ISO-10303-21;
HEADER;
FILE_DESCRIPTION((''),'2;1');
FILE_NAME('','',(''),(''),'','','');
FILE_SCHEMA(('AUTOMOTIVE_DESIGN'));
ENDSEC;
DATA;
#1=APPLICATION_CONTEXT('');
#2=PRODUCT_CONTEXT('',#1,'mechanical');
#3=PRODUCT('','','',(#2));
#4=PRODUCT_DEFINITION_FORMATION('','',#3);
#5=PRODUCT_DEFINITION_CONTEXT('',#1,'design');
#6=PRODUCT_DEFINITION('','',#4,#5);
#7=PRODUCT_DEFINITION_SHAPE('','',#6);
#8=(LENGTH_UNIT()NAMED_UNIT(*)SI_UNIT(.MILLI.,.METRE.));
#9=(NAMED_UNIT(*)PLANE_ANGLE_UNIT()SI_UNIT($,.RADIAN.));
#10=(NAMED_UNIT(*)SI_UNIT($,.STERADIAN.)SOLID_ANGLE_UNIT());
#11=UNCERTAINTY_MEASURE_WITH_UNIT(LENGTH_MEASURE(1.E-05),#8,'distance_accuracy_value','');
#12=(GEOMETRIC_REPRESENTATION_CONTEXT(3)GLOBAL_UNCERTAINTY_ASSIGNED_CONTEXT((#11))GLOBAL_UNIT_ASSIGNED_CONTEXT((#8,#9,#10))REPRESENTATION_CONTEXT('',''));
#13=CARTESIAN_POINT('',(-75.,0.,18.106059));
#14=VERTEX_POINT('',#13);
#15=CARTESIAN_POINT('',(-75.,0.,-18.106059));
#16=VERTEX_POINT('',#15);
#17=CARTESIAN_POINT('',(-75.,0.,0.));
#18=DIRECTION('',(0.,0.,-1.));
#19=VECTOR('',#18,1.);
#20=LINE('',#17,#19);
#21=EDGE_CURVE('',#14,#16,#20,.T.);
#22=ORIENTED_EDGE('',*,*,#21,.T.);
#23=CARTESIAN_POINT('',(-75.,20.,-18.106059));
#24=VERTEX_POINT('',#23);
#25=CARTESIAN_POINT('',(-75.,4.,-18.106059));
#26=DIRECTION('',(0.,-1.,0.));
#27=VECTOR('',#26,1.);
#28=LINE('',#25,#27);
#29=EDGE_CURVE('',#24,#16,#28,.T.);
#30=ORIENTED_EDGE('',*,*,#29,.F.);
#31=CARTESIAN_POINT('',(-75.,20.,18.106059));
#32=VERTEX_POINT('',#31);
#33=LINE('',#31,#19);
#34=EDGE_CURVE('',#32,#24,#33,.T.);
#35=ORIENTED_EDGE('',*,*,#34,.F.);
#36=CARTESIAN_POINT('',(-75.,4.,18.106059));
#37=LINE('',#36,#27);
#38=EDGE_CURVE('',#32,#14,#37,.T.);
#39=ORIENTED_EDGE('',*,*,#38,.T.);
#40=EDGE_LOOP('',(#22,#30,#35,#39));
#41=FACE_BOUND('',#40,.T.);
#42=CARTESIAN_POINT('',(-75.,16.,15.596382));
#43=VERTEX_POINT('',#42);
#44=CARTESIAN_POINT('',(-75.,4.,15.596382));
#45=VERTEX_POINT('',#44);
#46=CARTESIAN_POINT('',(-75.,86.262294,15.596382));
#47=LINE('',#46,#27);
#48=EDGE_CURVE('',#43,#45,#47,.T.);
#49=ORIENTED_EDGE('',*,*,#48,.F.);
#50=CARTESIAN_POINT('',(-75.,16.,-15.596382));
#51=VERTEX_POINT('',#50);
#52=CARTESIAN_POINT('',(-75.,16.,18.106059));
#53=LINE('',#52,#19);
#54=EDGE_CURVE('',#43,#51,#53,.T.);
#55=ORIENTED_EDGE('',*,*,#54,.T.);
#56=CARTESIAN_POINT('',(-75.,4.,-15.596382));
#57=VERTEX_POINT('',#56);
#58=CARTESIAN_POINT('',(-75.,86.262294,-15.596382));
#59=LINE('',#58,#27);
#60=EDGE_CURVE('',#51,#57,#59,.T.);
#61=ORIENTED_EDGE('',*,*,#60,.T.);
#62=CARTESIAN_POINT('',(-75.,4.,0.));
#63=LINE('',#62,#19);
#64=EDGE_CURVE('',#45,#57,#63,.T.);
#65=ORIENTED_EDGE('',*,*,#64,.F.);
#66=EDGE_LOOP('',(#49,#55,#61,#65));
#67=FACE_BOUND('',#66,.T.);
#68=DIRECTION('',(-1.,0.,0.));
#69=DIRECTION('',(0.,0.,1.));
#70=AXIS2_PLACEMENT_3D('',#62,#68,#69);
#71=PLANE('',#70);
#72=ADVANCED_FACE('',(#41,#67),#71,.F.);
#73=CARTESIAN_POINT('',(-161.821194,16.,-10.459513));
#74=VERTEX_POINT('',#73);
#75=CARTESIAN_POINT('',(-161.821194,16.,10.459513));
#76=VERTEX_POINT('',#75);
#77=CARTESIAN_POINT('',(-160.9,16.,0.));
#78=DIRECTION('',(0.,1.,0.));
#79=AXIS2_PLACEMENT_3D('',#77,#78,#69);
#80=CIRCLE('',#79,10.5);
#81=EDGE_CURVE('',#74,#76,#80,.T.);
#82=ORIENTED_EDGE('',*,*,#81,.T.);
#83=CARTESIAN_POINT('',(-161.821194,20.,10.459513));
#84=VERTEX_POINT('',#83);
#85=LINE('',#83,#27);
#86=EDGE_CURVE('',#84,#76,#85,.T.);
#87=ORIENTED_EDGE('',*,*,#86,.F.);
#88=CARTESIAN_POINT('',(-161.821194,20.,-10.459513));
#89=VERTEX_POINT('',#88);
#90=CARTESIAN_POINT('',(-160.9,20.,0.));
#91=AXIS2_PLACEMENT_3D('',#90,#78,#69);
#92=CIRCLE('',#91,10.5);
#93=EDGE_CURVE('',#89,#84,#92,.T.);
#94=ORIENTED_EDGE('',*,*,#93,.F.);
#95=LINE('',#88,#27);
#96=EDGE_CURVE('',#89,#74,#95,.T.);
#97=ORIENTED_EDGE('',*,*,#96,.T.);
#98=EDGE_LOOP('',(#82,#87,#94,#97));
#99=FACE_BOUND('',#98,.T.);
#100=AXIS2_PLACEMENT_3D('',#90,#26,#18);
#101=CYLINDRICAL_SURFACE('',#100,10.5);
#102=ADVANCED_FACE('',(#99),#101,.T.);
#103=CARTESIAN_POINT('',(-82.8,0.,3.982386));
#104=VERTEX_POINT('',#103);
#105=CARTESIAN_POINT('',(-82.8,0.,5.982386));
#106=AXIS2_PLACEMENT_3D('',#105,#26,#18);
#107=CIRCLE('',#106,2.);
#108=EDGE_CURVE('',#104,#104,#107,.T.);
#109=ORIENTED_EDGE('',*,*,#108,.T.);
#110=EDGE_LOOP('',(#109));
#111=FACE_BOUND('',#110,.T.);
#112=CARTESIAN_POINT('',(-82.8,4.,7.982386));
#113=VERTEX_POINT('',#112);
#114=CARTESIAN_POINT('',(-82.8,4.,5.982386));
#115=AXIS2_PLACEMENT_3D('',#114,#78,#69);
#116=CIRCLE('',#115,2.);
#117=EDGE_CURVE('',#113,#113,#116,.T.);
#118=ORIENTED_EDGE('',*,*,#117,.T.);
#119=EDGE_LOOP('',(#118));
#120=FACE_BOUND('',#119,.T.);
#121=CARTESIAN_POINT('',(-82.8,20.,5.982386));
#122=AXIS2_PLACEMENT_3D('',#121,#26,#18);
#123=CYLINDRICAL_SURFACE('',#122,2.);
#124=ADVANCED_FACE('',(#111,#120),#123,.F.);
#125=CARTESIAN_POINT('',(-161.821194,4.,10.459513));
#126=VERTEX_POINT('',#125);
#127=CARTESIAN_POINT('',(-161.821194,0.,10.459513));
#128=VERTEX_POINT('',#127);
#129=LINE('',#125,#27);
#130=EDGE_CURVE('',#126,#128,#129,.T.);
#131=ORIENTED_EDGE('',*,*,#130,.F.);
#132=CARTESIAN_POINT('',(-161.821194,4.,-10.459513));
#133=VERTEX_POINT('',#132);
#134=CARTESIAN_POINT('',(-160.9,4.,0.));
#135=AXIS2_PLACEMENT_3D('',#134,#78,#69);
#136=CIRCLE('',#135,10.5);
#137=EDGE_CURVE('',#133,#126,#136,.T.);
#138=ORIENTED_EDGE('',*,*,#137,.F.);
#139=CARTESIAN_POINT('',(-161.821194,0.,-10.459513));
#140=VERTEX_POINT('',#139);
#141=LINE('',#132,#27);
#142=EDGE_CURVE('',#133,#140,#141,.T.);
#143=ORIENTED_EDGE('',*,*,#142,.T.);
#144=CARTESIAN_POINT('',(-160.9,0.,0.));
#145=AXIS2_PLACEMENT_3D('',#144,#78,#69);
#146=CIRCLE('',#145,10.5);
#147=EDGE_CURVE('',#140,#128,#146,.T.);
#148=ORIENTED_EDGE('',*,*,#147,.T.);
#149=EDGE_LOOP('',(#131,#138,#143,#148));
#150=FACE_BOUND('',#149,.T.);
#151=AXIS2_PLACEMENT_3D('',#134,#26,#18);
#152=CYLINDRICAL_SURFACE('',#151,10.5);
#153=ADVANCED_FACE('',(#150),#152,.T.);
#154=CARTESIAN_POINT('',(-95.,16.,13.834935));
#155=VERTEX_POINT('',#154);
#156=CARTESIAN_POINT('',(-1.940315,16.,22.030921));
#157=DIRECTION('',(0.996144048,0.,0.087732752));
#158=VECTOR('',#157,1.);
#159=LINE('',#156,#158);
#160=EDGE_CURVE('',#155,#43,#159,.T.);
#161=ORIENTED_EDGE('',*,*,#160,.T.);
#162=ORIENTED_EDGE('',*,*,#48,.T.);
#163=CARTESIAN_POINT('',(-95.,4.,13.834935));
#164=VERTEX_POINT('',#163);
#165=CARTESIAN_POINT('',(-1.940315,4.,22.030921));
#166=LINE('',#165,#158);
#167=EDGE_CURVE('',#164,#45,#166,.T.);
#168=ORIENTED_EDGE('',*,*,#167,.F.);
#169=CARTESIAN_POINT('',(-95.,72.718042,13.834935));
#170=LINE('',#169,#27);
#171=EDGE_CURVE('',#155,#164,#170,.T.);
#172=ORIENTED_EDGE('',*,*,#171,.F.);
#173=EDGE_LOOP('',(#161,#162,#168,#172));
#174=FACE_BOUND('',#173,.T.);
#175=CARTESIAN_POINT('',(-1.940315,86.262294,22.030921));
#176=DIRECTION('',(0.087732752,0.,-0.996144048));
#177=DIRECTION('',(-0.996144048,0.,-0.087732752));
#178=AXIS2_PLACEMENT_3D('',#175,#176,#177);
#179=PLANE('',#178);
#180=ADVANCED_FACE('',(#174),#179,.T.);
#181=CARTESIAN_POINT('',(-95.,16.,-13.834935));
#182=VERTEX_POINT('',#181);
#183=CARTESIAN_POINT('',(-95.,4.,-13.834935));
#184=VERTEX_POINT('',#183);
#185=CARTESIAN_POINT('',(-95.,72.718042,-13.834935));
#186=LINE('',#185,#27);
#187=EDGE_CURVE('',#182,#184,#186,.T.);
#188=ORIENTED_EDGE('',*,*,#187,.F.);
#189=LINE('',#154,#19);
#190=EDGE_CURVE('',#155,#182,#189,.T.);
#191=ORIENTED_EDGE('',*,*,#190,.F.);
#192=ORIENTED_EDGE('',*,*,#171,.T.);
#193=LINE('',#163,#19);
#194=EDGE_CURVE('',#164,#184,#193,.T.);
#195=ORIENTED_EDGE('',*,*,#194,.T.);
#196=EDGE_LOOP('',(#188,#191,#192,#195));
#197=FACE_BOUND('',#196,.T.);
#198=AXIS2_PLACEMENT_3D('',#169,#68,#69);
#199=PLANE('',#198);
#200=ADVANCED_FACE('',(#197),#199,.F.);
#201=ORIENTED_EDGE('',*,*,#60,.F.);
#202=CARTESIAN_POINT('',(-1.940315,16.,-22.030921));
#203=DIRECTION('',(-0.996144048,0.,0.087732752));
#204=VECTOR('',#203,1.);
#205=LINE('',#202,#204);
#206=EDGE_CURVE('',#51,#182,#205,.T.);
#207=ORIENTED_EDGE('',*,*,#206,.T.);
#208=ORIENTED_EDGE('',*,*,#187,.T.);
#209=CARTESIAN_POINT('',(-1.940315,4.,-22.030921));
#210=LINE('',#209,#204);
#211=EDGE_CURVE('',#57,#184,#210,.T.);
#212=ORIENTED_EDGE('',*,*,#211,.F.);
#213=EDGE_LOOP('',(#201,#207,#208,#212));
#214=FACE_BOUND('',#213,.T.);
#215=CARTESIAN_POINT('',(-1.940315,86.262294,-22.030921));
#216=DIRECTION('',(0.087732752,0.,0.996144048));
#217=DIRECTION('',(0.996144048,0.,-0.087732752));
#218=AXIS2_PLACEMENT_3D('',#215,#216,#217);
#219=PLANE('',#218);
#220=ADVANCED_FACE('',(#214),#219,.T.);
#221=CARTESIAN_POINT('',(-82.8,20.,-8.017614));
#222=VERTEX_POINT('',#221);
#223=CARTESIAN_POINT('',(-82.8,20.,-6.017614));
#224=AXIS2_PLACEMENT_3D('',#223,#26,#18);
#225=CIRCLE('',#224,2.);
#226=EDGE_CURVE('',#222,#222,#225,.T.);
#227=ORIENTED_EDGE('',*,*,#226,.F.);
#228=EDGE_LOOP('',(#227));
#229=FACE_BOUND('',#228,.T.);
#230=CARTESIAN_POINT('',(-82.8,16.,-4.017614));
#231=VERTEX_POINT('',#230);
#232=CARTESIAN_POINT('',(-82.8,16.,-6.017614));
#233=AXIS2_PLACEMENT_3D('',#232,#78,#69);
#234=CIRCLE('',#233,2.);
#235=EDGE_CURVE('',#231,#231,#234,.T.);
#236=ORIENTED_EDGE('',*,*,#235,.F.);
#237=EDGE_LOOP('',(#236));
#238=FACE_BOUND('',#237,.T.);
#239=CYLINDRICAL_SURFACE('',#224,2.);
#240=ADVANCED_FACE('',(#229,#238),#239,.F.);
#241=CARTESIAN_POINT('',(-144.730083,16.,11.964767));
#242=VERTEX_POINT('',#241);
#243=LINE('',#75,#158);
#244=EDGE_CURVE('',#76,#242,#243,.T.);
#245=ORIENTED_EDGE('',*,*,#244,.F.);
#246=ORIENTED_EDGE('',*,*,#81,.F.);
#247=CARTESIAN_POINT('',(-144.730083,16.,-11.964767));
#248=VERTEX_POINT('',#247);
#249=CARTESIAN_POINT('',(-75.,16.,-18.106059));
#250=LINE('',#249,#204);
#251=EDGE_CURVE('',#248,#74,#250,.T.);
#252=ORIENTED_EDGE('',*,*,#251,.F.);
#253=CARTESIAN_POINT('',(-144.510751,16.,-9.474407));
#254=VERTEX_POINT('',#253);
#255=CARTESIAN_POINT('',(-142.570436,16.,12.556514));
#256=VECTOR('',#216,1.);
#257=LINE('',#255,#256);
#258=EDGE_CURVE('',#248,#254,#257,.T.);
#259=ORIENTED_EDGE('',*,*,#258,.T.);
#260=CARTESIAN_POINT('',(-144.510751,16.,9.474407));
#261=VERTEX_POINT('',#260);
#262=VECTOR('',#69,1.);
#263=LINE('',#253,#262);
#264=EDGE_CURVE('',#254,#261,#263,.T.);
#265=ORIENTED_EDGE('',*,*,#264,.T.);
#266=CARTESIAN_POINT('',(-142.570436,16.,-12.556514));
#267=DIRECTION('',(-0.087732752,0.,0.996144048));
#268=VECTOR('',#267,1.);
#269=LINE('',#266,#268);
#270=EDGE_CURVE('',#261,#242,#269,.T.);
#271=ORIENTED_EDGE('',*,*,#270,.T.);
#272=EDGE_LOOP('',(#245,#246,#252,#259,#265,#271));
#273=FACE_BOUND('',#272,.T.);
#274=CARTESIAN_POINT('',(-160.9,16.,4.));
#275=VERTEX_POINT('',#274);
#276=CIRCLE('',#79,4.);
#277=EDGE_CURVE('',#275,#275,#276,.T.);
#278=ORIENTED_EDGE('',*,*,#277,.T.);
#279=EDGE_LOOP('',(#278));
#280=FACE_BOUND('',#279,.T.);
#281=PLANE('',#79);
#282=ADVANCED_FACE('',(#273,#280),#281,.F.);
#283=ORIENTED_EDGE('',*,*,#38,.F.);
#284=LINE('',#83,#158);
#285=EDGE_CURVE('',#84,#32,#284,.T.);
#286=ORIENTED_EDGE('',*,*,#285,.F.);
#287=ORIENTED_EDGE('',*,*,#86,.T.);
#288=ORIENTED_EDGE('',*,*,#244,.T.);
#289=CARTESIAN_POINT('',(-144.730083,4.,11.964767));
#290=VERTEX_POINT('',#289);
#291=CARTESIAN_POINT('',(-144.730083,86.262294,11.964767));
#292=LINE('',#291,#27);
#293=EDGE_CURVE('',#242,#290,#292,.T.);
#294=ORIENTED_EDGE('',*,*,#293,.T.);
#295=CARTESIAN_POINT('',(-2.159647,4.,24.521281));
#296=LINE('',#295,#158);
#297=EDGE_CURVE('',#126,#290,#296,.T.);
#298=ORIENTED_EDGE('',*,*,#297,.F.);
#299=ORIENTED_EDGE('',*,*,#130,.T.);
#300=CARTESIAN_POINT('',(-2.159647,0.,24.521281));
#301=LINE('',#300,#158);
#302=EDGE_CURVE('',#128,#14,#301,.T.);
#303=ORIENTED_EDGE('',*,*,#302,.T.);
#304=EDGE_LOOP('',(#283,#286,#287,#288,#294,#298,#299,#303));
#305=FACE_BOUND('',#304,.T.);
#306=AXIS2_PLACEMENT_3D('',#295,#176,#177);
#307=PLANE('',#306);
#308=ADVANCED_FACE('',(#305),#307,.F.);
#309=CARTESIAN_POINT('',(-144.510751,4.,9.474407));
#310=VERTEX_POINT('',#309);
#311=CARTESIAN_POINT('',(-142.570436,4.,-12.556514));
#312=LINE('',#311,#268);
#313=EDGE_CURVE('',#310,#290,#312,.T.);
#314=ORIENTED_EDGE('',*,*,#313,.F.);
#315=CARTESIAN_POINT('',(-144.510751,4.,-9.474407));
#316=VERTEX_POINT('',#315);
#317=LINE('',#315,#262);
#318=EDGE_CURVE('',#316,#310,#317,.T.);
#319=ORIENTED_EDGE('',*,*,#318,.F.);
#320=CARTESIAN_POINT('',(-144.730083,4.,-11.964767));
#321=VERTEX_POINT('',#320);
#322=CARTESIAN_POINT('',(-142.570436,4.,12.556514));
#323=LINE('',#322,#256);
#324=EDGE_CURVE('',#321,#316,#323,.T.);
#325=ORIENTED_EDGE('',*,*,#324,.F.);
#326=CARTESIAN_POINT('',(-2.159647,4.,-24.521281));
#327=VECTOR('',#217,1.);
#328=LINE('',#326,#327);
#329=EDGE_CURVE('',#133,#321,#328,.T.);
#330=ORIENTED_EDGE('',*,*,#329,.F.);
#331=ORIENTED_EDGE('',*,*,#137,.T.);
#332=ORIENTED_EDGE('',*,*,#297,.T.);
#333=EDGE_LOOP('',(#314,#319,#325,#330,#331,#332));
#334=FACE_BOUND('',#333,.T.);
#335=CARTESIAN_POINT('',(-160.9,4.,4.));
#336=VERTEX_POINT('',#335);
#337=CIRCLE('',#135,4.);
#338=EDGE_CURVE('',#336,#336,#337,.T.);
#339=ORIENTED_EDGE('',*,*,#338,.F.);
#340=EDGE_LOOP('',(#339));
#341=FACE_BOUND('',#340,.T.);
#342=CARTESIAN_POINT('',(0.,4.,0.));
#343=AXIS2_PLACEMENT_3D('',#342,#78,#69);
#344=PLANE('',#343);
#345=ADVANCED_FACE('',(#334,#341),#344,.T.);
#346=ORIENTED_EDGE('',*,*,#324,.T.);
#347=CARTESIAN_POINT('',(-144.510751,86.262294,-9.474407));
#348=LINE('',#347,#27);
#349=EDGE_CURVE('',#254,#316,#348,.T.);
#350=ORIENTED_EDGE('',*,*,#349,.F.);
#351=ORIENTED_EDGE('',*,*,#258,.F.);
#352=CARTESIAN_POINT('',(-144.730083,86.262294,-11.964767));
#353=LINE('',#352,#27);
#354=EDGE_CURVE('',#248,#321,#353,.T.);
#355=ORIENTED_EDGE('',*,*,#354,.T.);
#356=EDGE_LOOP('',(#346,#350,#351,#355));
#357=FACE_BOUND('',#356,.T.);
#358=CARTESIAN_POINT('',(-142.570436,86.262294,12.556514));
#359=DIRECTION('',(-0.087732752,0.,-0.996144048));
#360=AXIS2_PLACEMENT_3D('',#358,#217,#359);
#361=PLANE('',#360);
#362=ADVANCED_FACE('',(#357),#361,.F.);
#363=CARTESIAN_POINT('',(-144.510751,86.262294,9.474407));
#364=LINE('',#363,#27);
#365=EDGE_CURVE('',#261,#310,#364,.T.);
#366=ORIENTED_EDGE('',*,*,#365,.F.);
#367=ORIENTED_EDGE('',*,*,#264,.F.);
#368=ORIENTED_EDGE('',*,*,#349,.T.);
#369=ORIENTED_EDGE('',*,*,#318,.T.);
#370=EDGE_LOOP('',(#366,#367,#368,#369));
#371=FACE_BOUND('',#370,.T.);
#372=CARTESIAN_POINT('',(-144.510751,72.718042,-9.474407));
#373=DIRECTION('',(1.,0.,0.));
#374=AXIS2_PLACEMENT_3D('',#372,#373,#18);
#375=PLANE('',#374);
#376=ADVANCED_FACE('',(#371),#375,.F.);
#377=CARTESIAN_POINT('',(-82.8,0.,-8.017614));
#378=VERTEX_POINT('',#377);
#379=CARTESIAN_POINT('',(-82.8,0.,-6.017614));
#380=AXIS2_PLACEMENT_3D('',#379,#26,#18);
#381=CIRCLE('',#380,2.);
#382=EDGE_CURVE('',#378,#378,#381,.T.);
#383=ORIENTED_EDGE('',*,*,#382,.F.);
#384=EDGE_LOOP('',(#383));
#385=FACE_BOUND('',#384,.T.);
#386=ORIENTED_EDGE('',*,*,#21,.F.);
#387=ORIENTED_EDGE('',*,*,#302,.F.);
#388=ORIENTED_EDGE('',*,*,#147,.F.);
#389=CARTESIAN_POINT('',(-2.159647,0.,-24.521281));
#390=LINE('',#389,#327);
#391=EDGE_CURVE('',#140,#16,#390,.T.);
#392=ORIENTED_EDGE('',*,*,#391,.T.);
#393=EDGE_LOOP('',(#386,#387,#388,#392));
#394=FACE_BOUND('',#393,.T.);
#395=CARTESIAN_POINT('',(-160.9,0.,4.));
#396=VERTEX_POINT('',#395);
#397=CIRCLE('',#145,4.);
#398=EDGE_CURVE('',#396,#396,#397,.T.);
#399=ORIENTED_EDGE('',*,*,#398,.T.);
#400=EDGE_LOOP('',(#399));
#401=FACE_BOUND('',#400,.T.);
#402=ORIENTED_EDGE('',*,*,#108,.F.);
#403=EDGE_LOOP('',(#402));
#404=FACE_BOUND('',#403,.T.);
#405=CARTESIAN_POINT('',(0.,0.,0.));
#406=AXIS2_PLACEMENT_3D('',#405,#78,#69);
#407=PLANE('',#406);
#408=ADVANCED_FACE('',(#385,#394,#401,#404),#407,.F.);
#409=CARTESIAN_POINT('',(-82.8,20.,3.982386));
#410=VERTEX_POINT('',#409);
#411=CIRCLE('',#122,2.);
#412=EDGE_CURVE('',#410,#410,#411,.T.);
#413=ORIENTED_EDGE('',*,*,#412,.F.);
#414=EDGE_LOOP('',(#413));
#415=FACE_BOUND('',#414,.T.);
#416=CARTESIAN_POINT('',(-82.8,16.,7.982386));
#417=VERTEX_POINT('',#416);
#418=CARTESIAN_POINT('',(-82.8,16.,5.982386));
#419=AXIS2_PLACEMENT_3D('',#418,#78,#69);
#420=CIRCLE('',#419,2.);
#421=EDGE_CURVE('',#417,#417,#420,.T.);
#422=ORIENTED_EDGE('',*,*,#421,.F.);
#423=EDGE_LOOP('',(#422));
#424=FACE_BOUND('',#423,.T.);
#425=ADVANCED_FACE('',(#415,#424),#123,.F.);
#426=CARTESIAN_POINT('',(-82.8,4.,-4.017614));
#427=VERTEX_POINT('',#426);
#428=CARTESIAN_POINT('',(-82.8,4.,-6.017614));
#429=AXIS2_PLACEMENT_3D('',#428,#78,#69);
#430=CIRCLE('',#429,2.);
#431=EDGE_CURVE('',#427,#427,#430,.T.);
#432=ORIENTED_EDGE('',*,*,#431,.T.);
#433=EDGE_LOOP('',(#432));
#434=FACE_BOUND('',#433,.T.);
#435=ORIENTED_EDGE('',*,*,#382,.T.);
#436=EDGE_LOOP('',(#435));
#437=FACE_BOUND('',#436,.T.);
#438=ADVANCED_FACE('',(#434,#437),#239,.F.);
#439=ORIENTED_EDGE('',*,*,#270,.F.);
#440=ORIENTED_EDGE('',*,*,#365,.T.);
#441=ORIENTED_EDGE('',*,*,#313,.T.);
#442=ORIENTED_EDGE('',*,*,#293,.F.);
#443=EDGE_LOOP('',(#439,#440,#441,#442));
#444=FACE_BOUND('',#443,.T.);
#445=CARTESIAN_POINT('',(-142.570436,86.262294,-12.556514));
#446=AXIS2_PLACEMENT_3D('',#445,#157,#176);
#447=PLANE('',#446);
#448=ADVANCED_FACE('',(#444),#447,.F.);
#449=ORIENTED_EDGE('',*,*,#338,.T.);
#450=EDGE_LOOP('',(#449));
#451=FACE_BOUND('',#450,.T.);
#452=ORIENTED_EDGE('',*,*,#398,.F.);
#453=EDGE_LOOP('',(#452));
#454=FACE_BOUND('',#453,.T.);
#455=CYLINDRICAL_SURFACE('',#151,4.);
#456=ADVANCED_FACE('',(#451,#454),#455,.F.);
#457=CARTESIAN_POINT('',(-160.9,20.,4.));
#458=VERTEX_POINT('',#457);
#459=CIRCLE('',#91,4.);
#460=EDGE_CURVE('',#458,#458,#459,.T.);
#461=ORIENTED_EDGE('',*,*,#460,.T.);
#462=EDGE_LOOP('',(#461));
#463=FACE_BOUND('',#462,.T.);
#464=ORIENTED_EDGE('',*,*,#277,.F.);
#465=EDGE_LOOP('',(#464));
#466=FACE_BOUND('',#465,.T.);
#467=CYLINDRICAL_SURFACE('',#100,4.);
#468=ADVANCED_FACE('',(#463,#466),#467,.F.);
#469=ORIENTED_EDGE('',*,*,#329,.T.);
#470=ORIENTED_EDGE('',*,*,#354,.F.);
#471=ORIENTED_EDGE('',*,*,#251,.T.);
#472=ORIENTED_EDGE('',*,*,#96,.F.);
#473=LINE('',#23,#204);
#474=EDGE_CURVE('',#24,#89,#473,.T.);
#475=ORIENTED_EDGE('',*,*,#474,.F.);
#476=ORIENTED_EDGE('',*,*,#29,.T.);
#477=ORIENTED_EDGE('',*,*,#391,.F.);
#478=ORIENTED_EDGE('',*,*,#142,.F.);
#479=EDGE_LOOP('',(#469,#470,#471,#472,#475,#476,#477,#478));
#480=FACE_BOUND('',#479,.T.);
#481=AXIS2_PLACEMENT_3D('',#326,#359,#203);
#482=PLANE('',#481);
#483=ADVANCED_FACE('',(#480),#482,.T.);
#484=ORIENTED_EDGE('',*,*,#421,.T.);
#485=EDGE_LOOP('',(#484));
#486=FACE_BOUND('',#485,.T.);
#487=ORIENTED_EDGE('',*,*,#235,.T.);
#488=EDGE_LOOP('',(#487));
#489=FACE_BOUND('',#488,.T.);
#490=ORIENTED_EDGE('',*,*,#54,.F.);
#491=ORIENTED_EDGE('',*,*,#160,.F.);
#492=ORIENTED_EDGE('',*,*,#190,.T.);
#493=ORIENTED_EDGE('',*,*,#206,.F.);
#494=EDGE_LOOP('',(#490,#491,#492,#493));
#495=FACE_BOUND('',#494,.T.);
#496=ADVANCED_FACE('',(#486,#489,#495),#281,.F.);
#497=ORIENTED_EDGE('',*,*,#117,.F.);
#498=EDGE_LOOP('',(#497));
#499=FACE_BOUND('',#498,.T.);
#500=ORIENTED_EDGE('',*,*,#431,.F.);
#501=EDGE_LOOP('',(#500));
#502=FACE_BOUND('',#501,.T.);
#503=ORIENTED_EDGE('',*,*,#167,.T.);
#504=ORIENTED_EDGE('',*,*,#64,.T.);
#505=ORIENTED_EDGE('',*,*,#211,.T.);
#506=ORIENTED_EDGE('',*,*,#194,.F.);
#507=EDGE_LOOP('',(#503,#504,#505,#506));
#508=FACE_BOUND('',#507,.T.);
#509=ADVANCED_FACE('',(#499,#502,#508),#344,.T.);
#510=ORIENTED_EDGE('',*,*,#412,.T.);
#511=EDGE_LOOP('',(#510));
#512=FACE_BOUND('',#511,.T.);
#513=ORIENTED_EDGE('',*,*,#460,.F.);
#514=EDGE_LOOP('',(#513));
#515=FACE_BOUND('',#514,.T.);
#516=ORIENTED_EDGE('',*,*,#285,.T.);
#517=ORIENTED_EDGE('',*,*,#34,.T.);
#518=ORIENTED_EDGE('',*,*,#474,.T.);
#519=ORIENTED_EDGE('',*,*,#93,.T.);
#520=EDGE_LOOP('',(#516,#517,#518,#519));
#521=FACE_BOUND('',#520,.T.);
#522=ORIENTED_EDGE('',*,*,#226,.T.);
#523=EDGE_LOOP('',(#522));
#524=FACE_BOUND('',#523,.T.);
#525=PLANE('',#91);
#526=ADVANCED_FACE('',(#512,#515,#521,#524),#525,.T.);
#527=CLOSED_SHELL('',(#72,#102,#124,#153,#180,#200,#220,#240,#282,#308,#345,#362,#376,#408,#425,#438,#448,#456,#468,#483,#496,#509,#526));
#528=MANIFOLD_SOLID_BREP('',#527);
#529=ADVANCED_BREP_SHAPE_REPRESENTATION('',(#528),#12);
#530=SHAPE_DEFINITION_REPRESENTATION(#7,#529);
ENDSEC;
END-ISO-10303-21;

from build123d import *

# Parameters (mm, degrees)
SKETCH1_R           = 4
BOSS_EXTRUDE1_DEPTH = 4
SKETCH2_R           = 4
BOSS_EXTRUDE2_DEPTH = 4
BOSS_EXTRUDE5_DEPTH = 12
SKETCH6_R           = 2
CUT_EXTRUDE1_DEPTH  = 21
BOSS_EXTRUDE6_DEPTH = 12


with BuildPart() as part:
    # Sketch1 → Boss-Extrude1 (new body)
    with BuildSketch(Plane(origin=(0, 0, 0), x_dir=(1, 0, 0), z_dir=(0, 1, 0))):
        with BuildLine():
            Line((-75, 18.10605947), (-161.821193893, 10.459512504))
            ThreePointArc((-161.821193893, 10.459512504), (-171.4, 0), (-161.821193893, -10.459512504))
            Line((-161.821193893, -10.459512504), (-75, -18.10605947))
            Line((-75, -18.10605947), (-75, 18.10605947))
        make_face()
        with Locations((-160.9, 0)):
            Circle(SKETCH1_R, mode=Mode.SUBTRACT)
    extrude(amount=BOSS_EXTRUDE1_DEPTH)



with BuildPart() as body_2:
    # Sketch2 → Boss-Extrude2 (new body)
    with BuildSketch(Plane(origin=(0, 16, 0), x_dir=(1, 0, 0), z_dir=(0, 1, 0))):
        with BuildLine():
            Line((-75, 18.10605947), (-161.821193893, 10.459512504))
            ThreePointArc((-161.821193893, 10.459512504), (-171.4, 0), (-161.821193893, -10.459512504))
            Line((-161.821193893, -10.459512504), (-75, -18.10605947))
            Line((-75, -18.10605947), (-75, 18.10605947))
        make_face()
        with Locations((-160.9, 0)):
            Circle(SKETCH2_R, mode=Mode.SUBTRACT)
    extrude(amount=BOSS_EXTRUDE2_DEPTH)


with BuildPart() as part_1:
    add(part.part)

    add(body_2.part)  # Boss-Extrude5 merges body 2
    # Sketch5 → Boss-Extrude5 (add)
    with BuildSketch(Plane(origin=(0, 4, 0), x_dir=(1, 0, 0), z_dir=(0, 1, 0))):
        Polygon((-75, -18.10605947), (-75, -15.596382275), (-144.510751478, -9.47440673), (-144.730083357, -11.964766849), align=None)
        Polygon((-75, 15.596382275), (-75, 18.10605947), (-144.730083357, 11.964766849), (-144.510751478, 9.47440673), align=None)
    extrude(amount=BOSS_EXTRUDE5_DEPTH)

    # Sketch6 → Cut-Extrude1 (cut, through all)
    with BuildSketch(Plane(origin=(0, 0, 0), x_dir=(-1, 0, 0), z_dir=(0, -1, 0))):
        with Locations((82.8, -5.982385529)):
            Circle(SKETCH6_R)
        with Locations((82.8, 6.017614471)):
            Circle(SKETCH6_R)
    extrude(amount=-CUT_EXTRUDE1_DEPTH, mode=Mode.SUBTRACT)

    # Sketch7 → Boss-Extrude6 (add)
    with BuildSketch(Plane(origin=(0, 4, 0), x_dir=(1, 0, 0), z_dir=(0, 1, 0))):
        Polygon((-144.510751478, 9.47440673), (-144.510751478, -9.47440673), (-95, -13.834935185), (-95, 13.834935185), align=None)
    extrude(amount=BOSS_EXTRUDE6_DEPTH)


solid = part_1.part
